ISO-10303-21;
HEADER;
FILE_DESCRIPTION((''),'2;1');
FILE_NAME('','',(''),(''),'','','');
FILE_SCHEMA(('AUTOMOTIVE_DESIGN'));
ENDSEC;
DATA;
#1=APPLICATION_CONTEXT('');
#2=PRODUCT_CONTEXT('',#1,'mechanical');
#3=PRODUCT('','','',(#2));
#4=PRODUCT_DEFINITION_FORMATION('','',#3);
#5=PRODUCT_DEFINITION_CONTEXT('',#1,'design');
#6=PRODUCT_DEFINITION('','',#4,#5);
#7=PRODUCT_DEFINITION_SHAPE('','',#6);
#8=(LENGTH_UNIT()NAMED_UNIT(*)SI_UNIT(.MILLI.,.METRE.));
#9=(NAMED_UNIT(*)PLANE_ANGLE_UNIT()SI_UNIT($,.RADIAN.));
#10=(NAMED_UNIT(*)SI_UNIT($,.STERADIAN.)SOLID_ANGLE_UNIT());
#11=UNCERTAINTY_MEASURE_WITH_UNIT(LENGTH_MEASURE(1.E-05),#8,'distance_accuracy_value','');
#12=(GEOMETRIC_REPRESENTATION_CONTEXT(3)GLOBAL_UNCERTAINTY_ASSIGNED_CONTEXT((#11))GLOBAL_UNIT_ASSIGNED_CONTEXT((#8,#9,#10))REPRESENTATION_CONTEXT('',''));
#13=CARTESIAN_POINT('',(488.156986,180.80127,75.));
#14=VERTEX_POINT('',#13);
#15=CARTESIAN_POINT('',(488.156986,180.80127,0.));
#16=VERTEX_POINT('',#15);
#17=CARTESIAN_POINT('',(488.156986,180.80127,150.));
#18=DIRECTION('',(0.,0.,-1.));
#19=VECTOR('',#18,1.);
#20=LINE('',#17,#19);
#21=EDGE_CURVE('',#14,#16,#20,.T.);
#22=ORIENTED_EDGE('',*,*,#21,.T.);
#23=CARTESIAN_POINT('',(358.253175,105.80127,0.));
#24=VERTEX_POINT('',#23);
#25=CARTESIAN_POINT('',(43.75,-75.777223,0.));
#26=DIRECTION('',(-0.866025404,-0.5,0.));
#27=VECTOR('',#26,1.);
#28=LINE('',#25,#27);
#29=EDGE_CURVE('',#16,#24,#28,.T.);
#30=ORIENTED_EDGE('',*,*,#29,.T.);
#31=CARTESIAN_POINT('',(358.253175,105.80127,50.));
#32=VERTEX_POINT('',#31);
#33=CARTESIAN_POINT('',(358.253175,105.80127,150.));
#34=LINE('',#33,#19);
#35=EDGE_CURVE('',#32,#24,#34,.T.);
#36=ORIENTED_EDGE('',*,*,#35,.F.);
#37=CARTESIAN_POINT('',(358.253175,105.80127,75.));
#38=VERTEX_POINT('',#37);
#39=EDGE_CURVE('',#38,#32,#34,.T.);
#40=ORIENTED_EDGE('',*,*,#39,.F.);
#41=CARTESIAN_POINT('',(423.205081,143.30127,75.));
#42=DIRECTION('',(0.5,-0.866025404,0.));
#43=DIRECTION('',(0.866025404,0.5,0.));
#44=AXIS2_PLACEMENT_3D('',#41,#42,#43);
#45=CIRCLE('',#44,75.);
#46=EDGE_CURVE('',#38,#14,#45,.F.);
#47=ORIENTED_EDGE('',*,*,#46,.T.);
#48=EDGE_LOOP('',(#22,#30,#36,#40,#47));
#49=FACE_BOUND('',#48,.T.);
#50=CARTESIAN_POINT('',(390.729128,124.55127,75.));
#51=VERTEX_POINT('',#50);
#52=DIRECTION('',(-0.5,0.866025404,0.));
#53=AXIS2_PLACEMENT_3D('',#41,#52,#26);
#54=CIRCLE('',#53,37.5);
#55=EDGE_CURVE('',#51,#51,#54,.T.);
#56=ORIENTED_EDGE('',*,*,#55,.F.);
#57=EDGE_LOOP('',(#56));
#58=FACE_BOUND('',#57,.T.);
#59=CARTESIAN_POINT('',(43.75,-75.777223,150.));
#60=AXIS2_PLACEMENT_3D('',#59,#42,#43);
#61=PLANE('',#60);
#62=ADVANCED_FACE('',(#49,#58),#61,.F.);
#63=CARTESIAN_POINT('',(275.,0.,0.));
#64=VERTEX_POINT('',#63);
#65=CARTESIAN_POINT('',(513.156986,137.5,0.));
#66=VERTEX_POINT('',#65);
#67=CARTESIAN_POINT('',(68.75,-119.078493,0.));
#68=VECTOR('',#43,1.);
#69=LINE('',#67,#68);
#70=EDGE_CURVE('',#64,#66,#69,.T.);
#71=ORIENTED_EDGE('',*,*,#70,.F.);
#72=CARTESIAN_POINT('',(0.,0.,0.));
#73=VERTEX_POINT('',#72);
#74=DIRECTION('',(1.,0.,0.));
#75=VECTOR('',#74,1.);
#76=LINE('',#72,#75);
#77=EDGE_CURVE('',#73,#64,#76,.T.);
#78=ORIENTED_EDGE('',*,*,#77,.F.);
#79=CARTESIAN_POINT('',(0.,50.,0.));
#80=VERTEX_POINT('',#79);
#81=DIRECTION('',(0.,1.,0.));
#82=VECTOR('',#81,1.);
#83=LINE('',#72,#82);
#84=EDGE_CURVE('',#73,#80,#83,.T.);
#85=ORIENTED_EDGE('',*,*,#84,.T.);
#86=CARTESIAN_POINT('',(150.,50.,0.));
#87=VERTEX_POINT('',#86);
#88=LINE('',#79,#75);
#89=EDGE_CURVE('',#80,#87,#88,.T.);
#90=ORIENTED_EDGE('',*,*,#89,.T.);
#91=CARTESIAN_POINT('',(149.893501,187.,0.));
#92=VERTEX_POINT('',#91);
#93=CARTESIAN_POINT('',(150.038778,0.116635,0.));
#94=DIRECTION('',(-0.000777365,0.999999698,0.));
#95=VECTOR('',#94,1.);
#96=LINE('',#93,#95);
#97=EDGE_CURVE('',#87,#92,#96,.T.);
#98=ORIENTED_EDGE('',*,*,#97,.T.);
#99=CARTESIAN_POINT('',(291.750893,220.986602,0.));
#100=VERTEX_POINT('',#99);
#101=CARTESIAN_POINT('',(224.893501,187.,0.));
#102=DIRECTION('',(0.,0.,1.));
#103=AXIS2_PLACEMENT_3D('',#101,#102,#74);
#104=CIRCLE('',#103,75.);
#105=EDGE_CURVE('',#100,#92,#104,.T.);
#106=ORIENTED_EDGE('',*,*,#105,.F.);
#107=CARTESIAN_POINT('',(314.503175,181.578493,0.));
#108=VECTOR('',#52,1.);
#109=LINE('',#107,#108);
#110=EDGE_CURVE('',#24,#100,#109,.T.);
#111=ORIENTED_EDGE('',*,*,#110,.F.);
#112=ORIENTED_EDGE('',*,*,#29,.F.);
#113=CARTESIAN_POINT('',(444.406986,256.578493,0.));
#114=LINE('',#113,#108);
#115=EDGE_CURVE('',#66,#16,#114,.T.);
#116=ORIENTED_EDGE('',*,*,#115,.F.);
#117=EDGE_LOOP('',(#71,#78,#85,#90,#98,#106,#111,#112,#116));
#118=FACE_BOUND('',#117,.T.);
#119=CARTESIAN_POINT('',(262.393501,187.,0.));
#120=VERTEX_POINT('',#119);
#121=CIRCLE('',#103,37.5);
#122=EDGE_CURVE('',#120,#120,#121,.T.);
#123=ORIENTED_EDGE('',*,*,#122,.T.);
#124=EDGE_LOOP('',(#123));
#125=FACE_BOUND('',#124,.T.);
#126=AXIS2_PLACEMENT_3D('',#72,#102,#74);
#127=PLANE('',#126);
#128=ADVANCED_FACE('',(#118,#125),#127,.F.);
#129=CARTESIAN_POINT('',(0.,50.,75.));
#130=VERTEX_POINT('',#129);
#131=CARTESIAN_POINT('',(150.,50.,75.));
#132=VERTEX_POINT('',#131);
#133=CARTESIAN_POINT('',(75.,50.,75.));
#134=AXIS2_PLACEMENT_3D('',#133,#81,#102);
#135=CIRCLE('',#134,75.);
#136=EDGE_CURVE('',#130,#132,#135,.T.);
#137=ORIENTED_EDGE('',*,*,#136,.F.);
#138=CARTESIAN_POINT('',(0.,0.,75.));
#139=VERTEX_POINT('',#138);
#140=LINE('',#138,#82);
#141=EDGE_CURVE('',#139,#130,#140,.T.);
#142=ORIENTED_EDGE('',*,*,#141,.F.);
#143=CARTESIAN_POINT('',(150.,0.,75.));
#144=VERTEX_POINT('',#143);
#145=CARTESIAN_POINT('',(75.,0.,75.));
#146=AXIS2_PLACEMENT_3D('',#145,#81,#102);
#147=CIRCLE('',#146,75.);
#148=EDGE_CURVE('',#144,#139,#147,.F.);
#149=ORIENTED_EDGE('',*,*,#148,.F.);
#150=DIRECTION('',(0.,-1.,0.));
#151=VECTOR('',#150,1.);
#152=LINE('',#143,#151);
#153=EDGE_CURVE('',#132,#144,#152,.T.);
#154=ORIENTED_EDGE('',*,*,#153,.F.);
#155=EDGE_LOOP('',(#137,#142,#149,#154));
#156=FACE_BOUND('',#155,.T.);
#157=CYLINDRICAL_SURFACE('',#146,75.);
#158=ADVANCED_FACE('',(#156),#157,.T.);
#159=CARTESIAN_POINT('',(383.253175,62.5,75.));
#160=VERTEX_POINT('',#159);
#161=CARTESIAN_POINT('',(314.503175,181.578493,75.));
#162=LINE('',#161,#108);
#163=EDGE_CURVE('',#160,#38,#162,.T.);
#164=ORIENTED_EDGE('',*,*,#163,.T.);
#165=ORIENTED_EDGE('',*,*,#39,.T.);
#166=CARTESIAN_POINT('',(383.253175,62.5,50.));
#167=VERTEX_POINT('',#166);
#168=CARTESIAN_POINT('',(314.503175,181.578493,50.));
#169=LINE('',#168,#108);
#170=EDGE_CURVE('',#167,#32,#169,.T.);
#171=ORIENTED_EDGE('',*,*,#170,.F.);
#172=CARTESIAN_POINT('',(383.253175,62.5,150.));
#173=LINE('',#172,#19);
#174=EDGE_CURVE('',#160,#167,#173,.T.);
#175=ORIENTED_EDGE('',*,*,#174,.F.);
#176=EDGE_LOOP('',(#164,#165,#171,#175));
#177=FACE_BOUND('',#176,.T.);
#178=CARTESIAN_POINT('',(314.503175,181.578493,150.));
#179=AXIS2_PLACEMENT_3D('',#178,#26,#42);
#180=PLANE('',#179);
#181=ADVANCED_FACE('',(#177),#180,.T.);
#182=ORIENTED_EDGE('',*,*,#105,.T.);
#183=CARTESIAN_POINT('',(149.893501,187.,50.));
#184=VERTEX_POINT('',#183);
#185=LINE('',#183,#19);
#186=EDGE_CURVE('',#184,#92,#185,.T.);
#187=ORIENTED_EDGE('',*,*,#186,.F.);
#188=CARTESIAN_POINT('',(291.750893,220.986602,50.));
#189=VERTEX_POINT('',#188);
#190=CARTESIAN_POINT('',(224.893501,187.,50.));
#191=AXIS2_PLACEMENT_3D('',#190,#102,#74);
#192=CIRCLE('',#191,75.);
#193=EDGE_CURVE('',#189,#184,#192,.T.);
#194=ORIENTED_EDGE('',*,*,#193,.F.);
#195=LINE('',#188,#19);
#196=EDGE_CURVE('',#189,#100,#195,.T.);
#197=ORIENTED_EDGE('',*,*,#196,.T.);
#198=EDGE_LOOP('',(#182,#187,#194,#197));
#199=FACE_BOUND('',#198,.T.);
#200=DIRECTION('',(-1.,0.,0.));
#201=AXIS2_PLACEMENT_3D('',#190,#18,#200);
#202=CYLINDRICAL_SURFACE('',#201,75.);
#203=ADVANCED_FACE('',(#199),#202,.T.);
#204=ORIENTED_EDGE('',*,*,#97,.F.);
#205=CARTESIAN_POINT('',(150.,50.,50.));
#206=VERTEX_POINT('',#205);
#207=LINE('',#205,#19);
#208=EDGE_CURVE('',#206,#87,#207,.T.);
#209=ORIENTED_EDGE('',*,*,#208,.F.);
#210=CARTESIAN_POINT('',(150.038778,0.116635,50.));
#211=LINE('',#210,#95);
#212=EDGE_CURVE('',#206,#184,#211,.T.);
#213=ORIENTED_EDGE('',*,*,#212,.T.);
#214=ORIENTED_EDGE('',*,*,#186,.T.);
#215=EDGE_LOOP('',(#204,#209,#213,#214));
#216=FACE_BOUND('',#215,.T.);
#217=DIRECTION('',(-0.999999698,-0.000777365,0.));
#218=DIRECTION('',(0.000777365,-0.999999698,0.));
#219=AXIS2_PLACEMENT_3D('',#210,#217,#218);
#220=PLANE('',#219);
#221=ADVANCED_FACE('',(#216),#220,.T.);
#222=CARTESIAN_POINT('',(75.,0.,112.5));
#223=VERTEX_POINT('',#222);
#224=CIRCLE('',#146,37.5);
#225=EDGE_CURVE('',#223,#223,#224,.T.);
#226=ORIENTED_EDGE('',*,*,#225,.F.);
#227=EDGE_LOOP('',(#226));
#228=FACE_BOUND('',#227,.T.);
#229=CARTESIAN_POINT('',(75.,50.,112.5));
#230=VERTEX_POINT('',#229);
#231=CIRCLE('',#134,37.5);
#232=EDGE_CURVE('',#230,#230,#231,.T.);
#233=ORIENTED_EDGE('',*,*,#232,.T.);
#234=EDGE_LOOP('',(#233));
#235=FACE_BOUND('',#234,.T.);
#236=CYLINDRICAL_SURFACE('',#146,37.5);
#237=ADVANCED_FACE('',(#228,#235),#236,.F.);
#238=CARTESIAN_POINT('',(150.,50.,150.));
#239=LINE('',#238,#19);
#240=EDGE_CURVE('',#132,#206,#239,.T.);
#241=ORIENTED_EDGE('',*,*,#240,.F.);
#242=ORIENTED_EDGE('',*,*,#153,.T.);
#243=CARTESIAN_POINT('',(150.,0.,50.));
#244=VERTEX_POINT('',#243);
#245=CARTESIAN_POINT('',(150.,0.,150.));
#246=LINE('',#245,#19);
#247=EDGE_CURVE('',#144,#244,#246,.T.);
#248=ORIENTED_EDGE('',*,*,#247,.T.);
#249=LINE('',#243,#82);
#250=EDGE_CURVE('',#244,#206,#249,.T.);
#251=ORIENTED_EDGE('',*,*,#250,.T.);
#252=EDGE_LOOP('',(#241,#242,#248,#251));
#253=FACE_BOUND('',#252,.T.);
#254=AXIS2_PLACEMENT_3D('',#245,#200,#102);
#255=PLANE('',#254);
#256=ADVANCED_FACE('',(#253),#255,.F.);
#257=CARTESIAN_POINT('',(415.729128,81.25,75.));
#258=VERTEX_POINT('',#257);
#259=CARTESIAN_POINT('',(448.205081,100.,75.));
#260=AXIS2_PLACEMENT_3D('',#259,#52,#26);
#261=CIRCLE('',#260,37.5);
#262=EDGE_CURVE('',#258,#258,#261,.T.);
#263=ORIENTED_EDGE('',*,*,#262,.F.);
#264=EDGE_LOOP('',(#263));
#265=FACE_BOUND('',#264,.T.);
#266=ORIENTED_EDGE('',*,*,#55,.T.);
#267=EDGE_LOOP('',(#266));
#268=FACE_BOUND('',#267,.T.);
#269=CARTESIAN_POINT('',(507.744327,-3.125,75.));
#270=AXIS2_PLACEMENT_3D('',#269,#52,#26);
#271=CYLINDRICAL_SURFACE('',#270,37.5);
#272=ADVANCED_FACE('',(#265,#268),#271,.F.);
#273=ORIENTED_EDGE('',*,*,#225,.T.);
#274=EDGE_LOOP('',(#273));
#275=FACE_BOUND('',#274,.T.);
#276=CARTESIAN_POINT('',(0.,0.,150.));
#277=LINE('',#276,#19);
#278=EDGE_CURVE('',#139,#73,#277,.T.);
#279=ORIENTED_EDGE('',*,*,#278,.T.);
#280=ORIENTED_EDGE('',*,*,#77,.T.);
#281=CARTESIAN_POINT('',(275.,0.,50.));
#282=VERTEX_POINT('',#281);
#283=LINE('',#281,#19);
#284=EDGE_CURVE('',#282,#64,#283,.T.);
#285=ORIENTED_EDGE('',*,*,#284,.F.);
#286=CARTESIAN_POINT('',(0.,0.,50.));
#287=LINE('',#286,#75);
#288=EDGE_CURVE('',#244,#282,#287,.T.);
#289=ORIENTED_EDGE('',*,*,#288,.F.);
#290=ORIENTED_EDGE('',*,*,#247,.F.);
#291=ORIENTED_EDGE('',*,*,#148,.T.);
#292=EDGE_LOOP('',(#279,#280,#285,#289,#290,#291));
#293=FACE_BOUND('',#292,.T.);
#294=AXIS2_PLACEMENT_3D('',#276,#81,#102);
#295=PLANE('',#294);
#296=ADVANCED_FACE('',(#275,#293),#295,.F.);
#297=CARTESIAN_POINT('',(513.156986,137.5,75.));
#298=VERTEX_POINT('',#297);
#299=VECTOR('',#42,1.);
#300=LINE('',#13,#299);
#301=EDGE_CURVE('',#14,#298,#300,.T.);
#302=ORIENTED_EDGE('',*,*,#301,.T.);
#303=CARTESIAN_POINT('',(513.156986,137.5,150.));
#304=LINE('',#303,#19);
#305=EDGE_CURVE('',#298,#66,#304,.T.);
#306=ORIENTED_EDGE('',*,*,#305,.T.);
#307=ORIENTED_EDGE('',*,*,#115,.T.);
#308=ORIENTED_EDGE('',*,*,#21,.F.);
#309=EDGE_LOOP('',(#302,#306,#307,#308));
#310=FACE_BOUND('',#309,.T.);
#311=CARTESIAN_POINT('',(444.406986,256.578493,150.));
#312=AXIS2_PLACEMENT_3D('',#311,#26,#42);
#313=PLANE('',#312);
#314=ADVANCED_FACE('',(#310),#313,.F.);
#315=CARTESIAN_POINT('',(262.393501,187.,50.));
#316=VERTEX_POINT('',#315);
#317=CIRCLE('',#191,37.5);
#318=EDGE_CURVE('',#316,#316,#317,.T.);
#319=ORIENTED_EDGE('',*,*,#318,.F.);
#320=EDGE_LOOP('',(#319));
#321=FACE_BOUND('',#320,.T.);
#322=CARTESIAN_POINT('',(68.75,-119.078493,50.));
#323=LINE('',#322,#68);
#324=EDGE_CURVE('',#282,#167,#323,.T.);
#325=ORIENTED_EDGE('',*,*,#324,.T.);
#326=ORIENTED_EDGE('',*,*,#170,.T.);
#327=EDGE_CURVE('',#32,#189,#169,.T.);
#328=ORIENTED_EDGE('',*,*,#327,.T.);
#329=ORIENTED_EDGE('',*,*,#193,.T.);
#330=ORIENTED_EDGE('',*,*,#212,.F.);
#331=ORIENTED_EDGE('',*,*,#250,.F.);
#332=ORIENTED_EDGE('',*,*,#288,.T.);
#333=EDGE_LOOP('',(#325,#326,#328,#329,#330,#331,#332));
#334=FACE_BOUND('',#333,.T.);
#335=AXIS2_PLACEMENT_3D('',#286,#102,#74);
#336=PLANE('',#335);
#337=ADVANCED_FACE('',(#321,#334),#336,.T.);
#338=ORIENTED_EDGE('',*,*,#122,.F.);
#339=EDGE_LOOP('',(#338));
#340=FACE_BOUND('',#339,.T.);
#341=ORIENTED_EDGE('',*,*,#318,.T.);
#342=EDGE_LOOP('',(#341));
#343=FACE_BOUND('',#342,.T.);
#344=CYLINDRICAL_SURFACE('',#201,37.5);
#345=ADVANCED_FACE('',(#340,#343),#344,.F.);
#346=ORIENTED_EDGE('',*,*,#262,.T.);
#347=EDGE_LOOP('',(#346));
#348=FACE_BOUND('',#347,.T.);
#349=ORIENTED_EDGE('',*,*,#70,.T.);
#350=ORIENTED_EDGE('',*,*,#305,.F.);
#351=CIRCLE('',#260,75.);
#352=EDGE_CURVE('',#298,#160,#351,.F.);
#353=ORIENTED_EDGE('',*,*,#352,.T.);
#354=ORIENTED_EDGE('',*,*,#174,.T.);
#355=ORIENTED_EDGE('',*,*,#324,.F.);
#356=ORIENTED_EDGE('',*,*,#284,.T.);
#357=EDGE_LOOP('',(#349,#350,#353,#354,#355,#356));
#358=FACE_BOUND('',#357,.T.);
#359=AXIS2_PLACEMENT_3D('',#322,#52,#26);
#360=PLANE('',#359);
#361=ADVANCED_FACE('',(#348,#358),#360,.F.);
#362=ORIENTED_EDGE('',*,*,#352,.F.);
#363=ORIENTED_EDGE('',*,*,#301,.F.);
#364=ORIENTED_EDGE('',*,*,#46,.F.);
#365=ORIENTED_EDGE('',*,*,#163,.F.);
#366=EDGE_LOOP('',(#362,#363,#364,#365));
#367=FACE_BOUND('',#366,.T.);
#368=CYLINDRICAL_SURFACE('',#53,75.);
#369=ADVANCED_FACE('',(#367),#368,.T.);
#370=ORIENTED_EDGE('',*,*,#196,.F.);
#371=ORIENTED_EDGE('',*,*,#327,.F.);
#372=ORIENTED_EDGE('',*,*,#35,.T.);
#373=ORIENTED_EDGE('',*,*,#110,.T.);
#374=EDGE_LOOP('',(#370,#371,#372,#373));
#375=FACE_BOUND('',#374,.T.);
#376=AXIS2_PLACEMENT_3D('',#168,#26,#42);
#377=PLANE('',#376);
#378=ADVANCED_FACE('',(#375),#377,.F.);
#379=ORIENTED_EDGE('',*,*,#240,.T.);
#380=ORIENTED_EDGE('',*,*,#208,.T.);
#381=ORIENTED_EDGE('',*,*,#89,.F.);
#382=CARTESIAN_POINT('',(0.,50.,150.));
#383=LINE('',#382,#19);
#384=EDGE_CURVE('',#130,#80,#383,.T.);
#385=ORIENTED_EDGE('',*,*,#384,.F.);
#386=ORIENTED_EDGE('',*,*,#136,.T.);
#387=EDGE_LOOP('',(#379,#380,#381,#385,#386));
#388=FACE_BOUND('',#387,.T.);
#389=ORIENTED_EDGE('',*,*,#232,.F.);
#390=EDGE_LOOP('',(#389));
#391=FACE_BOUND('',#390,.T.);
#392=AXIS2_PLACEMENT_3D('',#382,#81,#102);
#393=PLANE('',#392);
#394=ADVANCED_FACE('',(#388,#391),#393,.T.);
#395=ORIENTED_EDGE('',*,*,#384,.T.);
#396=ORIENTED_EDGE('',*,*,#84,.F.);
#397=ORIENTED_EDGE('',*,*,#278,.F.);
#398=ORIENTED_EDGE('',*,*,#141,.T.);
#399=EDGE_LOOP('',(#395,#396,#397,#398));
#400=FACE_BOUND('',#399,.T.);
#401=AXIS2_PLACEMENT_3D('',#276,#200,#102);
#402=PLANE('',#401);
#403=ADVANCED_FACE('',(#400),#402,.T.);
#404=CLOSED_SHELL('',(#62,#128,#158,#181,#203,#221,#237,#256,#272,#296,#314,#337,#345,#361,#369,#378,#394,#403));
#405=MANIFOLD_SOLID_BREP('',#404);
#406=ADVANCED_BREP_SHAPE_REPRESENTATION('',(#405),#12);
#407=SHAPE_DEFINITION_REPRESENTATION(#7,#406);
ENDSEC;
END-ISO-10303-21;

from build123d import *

# Parameters (mm, degrees)
SKETCH1_W             = 150
SKETCH1_H             = 50
BOSS_EXTRUDE2_DEPTH   = 150
BOSS_EXTRUDE2_2_DEPTH = 150
SKETCH1_4_R           = 37.5
SKETCH1_4_W           = 150
SKETCH1_4_H           = 50
BOSS_EXTRUDE3_DEPTH   = 50
FILLET2_RADIUS        = 75
FILLET2_LENGTH        = 50
FILLET3_RADIUS        = 75
FILLET3_LENGTH        = 50
SKETCH2_R             = 37.5
CUT_EXTRUDE1_DEPTH    = 576.129630886
SKETCH3_R             = 37.5
CUT_EXTRUDE2_DEPTH    = 598.441520826


with BuildPart() as part:
    # Sketch1 → Boss-Extrude2 (new body)
    with BuildSketch(Plane.XY):
        with Locations((75, 25)):
            Rectangle(SKETCH1_W, SKETCH1_H)
    extrude(amount=BOSS_EXTRUDE2_DEPTH)



with BuildPart() as body_2:
    # Sketch1 → Boss-Extrude2 2 (new body)
    with BuildSketch(Plane.XY):
        Polygon((358.253175473, 105.801270189), (383.253175473, 62.5), (513.156986041, 137.5), (488.156986041, 180.801270189), align=None)
    extrude(amount=BOSS_EXTRUDE2_2_DEPTH)


with BuildPart() as part_1:
    add(part.part)

    add(body_2.part)  # Boss-Extrude3 merges body 2
    # Sketch1<4> → Boss-Extrude3 (add)
    # profile 1 of 3: a face of its own
    with BuildSketch(Plane.XY):
        with BuildLine():
            Line((150, 50), (150, 0))
            Line((150, 0), (275, 0))
            Line((275, 0), (383.253175473, 62.5))
            Line((383.253175473, 62.5), (358.253175473, 105.801270189))
            Line((358.253175473, 105.801270189), (291.750893275, 220.986601776))
            ThreePointArc((291.750893275, 220.986601776), (207.419297449, 259.935945937), (149.893501015, 187))
            Line((149.893501015, 187), (149.89359166, 186.883395343))
            Line((149.89359166, 186.883395343), (150, 50))
        make_face()
        with Locations((224.893501015, 187)):
            Circle(SKETCH1_4_R, mode=Mode.SUBTRACT)
    # profile 2 of 3: a face of its own
    with BuildSketch(Plane.XY):
        with Locations((75, 25)):
            Rectangle(SKETCH1_4_W, SKETCH1_4_H)
    # profile 3 of 3: a face of its own
    with BuildSketch(Plane.XY):
        Polygon((358.253175473, 105.801270189), (383.253175473, 62.5), (513.156986041, 137.5), (488.156986041, 180.801270189), align=None)
    extrude(amount=BOSS_EXTRUDE3_DEPTH)

    # Fillet2: full round fillet: the end face becomes a half cylinder, R = half its width
    fillet2_face = Plane((435.705080757, 121.650635095, 150), x_dir=(0.5, -0.866025403784, 0), z_dir=(0, 0, 1))  # on the end face: x along it, z out of the body
    fillet2_slab = fillet2_face.offset(-FILLET2_RADIUS / 2) * Box(FILLET2_LENGTH, 2 * FILLET2_RADIUS, FILLET2_RADIUS, mode=Mode.PRIVATE)  # the body's end, R deep
    fillet2_round = Plane((435.705080757, 121.650635095, 75), x_dir=(0, 0, 1), z_dir=(0.5, -0.866025403784, 0)) * Cylinder(FILLET2_RADIUS, FILLET2_LENGTH, mode=Mode.PRIVATE)  # its axis R under the face
    add(fillet2_slab - fillet2_round, mode=Mode.SUBTRACT)

    # Fillet3: full round fillet: the end face becomes a half cylinder, R = half its width
    fillet3_face = Plane((75, 25, 150), x_dir=(0, -1, 0), z_dir=(0, 0, 1))  # on the end face: x along it, z out of the body
    fillet3_slab = fillet3_face.offset(-FILLET3_RADIUS / 2) * Box(FILLET3_LENGTH, 2 * FILLET3_RADIUS, FILLET3_RADIUS, mode=Mode.PRIVATE)  # the body's end, R deep
    fillet3_round = Plane((75, 25, 75), x_dir=(0, 0, 1), z_dir=(0, -1, 0)) * Cylinder(FILLET3_RADIUS, FILLET3_LENGTH, mode=Mode.PRIVATE)  # its axis R under the face
    add(fillet3_slab - fillet3_round, mode=Mode.SUBTRACT)

    # Sketch2 → Cut-Extrude1 (cut, through all)
    with BuildSketch(Plane(origin=(0, 50, 0), x_dir=(1, 0, 0), z_dir=(0, 1, 0))):
        with Locations(Location((75, -75, 0), (0, 0, 270))):
            Circle(SKETCH2_R)
    extrude(amount=-CUT_EXTRUDE1_DEPTH, mode=Mode.SUBTRACT)

    # Sketch3 → Cut-Extrude2 (cut, through all)
    with BuildSketch(Plane(origin=(43.75, -75.777222831, 0), x_dir=(0.8660254037844382, 0.500000000000001, 0), z_dir=(-0.500000000000001, 0.8660254037844382, 0))):
        with Locations(Location((438.156986041, -75, 0), (0, 0, 180))):
            Circle(SKETCH3_R)
    extrude(amount=-CUT_EXTRUDE2_DEPTH, mode=Mode.SUBTRACT)


solid = part_1.part
